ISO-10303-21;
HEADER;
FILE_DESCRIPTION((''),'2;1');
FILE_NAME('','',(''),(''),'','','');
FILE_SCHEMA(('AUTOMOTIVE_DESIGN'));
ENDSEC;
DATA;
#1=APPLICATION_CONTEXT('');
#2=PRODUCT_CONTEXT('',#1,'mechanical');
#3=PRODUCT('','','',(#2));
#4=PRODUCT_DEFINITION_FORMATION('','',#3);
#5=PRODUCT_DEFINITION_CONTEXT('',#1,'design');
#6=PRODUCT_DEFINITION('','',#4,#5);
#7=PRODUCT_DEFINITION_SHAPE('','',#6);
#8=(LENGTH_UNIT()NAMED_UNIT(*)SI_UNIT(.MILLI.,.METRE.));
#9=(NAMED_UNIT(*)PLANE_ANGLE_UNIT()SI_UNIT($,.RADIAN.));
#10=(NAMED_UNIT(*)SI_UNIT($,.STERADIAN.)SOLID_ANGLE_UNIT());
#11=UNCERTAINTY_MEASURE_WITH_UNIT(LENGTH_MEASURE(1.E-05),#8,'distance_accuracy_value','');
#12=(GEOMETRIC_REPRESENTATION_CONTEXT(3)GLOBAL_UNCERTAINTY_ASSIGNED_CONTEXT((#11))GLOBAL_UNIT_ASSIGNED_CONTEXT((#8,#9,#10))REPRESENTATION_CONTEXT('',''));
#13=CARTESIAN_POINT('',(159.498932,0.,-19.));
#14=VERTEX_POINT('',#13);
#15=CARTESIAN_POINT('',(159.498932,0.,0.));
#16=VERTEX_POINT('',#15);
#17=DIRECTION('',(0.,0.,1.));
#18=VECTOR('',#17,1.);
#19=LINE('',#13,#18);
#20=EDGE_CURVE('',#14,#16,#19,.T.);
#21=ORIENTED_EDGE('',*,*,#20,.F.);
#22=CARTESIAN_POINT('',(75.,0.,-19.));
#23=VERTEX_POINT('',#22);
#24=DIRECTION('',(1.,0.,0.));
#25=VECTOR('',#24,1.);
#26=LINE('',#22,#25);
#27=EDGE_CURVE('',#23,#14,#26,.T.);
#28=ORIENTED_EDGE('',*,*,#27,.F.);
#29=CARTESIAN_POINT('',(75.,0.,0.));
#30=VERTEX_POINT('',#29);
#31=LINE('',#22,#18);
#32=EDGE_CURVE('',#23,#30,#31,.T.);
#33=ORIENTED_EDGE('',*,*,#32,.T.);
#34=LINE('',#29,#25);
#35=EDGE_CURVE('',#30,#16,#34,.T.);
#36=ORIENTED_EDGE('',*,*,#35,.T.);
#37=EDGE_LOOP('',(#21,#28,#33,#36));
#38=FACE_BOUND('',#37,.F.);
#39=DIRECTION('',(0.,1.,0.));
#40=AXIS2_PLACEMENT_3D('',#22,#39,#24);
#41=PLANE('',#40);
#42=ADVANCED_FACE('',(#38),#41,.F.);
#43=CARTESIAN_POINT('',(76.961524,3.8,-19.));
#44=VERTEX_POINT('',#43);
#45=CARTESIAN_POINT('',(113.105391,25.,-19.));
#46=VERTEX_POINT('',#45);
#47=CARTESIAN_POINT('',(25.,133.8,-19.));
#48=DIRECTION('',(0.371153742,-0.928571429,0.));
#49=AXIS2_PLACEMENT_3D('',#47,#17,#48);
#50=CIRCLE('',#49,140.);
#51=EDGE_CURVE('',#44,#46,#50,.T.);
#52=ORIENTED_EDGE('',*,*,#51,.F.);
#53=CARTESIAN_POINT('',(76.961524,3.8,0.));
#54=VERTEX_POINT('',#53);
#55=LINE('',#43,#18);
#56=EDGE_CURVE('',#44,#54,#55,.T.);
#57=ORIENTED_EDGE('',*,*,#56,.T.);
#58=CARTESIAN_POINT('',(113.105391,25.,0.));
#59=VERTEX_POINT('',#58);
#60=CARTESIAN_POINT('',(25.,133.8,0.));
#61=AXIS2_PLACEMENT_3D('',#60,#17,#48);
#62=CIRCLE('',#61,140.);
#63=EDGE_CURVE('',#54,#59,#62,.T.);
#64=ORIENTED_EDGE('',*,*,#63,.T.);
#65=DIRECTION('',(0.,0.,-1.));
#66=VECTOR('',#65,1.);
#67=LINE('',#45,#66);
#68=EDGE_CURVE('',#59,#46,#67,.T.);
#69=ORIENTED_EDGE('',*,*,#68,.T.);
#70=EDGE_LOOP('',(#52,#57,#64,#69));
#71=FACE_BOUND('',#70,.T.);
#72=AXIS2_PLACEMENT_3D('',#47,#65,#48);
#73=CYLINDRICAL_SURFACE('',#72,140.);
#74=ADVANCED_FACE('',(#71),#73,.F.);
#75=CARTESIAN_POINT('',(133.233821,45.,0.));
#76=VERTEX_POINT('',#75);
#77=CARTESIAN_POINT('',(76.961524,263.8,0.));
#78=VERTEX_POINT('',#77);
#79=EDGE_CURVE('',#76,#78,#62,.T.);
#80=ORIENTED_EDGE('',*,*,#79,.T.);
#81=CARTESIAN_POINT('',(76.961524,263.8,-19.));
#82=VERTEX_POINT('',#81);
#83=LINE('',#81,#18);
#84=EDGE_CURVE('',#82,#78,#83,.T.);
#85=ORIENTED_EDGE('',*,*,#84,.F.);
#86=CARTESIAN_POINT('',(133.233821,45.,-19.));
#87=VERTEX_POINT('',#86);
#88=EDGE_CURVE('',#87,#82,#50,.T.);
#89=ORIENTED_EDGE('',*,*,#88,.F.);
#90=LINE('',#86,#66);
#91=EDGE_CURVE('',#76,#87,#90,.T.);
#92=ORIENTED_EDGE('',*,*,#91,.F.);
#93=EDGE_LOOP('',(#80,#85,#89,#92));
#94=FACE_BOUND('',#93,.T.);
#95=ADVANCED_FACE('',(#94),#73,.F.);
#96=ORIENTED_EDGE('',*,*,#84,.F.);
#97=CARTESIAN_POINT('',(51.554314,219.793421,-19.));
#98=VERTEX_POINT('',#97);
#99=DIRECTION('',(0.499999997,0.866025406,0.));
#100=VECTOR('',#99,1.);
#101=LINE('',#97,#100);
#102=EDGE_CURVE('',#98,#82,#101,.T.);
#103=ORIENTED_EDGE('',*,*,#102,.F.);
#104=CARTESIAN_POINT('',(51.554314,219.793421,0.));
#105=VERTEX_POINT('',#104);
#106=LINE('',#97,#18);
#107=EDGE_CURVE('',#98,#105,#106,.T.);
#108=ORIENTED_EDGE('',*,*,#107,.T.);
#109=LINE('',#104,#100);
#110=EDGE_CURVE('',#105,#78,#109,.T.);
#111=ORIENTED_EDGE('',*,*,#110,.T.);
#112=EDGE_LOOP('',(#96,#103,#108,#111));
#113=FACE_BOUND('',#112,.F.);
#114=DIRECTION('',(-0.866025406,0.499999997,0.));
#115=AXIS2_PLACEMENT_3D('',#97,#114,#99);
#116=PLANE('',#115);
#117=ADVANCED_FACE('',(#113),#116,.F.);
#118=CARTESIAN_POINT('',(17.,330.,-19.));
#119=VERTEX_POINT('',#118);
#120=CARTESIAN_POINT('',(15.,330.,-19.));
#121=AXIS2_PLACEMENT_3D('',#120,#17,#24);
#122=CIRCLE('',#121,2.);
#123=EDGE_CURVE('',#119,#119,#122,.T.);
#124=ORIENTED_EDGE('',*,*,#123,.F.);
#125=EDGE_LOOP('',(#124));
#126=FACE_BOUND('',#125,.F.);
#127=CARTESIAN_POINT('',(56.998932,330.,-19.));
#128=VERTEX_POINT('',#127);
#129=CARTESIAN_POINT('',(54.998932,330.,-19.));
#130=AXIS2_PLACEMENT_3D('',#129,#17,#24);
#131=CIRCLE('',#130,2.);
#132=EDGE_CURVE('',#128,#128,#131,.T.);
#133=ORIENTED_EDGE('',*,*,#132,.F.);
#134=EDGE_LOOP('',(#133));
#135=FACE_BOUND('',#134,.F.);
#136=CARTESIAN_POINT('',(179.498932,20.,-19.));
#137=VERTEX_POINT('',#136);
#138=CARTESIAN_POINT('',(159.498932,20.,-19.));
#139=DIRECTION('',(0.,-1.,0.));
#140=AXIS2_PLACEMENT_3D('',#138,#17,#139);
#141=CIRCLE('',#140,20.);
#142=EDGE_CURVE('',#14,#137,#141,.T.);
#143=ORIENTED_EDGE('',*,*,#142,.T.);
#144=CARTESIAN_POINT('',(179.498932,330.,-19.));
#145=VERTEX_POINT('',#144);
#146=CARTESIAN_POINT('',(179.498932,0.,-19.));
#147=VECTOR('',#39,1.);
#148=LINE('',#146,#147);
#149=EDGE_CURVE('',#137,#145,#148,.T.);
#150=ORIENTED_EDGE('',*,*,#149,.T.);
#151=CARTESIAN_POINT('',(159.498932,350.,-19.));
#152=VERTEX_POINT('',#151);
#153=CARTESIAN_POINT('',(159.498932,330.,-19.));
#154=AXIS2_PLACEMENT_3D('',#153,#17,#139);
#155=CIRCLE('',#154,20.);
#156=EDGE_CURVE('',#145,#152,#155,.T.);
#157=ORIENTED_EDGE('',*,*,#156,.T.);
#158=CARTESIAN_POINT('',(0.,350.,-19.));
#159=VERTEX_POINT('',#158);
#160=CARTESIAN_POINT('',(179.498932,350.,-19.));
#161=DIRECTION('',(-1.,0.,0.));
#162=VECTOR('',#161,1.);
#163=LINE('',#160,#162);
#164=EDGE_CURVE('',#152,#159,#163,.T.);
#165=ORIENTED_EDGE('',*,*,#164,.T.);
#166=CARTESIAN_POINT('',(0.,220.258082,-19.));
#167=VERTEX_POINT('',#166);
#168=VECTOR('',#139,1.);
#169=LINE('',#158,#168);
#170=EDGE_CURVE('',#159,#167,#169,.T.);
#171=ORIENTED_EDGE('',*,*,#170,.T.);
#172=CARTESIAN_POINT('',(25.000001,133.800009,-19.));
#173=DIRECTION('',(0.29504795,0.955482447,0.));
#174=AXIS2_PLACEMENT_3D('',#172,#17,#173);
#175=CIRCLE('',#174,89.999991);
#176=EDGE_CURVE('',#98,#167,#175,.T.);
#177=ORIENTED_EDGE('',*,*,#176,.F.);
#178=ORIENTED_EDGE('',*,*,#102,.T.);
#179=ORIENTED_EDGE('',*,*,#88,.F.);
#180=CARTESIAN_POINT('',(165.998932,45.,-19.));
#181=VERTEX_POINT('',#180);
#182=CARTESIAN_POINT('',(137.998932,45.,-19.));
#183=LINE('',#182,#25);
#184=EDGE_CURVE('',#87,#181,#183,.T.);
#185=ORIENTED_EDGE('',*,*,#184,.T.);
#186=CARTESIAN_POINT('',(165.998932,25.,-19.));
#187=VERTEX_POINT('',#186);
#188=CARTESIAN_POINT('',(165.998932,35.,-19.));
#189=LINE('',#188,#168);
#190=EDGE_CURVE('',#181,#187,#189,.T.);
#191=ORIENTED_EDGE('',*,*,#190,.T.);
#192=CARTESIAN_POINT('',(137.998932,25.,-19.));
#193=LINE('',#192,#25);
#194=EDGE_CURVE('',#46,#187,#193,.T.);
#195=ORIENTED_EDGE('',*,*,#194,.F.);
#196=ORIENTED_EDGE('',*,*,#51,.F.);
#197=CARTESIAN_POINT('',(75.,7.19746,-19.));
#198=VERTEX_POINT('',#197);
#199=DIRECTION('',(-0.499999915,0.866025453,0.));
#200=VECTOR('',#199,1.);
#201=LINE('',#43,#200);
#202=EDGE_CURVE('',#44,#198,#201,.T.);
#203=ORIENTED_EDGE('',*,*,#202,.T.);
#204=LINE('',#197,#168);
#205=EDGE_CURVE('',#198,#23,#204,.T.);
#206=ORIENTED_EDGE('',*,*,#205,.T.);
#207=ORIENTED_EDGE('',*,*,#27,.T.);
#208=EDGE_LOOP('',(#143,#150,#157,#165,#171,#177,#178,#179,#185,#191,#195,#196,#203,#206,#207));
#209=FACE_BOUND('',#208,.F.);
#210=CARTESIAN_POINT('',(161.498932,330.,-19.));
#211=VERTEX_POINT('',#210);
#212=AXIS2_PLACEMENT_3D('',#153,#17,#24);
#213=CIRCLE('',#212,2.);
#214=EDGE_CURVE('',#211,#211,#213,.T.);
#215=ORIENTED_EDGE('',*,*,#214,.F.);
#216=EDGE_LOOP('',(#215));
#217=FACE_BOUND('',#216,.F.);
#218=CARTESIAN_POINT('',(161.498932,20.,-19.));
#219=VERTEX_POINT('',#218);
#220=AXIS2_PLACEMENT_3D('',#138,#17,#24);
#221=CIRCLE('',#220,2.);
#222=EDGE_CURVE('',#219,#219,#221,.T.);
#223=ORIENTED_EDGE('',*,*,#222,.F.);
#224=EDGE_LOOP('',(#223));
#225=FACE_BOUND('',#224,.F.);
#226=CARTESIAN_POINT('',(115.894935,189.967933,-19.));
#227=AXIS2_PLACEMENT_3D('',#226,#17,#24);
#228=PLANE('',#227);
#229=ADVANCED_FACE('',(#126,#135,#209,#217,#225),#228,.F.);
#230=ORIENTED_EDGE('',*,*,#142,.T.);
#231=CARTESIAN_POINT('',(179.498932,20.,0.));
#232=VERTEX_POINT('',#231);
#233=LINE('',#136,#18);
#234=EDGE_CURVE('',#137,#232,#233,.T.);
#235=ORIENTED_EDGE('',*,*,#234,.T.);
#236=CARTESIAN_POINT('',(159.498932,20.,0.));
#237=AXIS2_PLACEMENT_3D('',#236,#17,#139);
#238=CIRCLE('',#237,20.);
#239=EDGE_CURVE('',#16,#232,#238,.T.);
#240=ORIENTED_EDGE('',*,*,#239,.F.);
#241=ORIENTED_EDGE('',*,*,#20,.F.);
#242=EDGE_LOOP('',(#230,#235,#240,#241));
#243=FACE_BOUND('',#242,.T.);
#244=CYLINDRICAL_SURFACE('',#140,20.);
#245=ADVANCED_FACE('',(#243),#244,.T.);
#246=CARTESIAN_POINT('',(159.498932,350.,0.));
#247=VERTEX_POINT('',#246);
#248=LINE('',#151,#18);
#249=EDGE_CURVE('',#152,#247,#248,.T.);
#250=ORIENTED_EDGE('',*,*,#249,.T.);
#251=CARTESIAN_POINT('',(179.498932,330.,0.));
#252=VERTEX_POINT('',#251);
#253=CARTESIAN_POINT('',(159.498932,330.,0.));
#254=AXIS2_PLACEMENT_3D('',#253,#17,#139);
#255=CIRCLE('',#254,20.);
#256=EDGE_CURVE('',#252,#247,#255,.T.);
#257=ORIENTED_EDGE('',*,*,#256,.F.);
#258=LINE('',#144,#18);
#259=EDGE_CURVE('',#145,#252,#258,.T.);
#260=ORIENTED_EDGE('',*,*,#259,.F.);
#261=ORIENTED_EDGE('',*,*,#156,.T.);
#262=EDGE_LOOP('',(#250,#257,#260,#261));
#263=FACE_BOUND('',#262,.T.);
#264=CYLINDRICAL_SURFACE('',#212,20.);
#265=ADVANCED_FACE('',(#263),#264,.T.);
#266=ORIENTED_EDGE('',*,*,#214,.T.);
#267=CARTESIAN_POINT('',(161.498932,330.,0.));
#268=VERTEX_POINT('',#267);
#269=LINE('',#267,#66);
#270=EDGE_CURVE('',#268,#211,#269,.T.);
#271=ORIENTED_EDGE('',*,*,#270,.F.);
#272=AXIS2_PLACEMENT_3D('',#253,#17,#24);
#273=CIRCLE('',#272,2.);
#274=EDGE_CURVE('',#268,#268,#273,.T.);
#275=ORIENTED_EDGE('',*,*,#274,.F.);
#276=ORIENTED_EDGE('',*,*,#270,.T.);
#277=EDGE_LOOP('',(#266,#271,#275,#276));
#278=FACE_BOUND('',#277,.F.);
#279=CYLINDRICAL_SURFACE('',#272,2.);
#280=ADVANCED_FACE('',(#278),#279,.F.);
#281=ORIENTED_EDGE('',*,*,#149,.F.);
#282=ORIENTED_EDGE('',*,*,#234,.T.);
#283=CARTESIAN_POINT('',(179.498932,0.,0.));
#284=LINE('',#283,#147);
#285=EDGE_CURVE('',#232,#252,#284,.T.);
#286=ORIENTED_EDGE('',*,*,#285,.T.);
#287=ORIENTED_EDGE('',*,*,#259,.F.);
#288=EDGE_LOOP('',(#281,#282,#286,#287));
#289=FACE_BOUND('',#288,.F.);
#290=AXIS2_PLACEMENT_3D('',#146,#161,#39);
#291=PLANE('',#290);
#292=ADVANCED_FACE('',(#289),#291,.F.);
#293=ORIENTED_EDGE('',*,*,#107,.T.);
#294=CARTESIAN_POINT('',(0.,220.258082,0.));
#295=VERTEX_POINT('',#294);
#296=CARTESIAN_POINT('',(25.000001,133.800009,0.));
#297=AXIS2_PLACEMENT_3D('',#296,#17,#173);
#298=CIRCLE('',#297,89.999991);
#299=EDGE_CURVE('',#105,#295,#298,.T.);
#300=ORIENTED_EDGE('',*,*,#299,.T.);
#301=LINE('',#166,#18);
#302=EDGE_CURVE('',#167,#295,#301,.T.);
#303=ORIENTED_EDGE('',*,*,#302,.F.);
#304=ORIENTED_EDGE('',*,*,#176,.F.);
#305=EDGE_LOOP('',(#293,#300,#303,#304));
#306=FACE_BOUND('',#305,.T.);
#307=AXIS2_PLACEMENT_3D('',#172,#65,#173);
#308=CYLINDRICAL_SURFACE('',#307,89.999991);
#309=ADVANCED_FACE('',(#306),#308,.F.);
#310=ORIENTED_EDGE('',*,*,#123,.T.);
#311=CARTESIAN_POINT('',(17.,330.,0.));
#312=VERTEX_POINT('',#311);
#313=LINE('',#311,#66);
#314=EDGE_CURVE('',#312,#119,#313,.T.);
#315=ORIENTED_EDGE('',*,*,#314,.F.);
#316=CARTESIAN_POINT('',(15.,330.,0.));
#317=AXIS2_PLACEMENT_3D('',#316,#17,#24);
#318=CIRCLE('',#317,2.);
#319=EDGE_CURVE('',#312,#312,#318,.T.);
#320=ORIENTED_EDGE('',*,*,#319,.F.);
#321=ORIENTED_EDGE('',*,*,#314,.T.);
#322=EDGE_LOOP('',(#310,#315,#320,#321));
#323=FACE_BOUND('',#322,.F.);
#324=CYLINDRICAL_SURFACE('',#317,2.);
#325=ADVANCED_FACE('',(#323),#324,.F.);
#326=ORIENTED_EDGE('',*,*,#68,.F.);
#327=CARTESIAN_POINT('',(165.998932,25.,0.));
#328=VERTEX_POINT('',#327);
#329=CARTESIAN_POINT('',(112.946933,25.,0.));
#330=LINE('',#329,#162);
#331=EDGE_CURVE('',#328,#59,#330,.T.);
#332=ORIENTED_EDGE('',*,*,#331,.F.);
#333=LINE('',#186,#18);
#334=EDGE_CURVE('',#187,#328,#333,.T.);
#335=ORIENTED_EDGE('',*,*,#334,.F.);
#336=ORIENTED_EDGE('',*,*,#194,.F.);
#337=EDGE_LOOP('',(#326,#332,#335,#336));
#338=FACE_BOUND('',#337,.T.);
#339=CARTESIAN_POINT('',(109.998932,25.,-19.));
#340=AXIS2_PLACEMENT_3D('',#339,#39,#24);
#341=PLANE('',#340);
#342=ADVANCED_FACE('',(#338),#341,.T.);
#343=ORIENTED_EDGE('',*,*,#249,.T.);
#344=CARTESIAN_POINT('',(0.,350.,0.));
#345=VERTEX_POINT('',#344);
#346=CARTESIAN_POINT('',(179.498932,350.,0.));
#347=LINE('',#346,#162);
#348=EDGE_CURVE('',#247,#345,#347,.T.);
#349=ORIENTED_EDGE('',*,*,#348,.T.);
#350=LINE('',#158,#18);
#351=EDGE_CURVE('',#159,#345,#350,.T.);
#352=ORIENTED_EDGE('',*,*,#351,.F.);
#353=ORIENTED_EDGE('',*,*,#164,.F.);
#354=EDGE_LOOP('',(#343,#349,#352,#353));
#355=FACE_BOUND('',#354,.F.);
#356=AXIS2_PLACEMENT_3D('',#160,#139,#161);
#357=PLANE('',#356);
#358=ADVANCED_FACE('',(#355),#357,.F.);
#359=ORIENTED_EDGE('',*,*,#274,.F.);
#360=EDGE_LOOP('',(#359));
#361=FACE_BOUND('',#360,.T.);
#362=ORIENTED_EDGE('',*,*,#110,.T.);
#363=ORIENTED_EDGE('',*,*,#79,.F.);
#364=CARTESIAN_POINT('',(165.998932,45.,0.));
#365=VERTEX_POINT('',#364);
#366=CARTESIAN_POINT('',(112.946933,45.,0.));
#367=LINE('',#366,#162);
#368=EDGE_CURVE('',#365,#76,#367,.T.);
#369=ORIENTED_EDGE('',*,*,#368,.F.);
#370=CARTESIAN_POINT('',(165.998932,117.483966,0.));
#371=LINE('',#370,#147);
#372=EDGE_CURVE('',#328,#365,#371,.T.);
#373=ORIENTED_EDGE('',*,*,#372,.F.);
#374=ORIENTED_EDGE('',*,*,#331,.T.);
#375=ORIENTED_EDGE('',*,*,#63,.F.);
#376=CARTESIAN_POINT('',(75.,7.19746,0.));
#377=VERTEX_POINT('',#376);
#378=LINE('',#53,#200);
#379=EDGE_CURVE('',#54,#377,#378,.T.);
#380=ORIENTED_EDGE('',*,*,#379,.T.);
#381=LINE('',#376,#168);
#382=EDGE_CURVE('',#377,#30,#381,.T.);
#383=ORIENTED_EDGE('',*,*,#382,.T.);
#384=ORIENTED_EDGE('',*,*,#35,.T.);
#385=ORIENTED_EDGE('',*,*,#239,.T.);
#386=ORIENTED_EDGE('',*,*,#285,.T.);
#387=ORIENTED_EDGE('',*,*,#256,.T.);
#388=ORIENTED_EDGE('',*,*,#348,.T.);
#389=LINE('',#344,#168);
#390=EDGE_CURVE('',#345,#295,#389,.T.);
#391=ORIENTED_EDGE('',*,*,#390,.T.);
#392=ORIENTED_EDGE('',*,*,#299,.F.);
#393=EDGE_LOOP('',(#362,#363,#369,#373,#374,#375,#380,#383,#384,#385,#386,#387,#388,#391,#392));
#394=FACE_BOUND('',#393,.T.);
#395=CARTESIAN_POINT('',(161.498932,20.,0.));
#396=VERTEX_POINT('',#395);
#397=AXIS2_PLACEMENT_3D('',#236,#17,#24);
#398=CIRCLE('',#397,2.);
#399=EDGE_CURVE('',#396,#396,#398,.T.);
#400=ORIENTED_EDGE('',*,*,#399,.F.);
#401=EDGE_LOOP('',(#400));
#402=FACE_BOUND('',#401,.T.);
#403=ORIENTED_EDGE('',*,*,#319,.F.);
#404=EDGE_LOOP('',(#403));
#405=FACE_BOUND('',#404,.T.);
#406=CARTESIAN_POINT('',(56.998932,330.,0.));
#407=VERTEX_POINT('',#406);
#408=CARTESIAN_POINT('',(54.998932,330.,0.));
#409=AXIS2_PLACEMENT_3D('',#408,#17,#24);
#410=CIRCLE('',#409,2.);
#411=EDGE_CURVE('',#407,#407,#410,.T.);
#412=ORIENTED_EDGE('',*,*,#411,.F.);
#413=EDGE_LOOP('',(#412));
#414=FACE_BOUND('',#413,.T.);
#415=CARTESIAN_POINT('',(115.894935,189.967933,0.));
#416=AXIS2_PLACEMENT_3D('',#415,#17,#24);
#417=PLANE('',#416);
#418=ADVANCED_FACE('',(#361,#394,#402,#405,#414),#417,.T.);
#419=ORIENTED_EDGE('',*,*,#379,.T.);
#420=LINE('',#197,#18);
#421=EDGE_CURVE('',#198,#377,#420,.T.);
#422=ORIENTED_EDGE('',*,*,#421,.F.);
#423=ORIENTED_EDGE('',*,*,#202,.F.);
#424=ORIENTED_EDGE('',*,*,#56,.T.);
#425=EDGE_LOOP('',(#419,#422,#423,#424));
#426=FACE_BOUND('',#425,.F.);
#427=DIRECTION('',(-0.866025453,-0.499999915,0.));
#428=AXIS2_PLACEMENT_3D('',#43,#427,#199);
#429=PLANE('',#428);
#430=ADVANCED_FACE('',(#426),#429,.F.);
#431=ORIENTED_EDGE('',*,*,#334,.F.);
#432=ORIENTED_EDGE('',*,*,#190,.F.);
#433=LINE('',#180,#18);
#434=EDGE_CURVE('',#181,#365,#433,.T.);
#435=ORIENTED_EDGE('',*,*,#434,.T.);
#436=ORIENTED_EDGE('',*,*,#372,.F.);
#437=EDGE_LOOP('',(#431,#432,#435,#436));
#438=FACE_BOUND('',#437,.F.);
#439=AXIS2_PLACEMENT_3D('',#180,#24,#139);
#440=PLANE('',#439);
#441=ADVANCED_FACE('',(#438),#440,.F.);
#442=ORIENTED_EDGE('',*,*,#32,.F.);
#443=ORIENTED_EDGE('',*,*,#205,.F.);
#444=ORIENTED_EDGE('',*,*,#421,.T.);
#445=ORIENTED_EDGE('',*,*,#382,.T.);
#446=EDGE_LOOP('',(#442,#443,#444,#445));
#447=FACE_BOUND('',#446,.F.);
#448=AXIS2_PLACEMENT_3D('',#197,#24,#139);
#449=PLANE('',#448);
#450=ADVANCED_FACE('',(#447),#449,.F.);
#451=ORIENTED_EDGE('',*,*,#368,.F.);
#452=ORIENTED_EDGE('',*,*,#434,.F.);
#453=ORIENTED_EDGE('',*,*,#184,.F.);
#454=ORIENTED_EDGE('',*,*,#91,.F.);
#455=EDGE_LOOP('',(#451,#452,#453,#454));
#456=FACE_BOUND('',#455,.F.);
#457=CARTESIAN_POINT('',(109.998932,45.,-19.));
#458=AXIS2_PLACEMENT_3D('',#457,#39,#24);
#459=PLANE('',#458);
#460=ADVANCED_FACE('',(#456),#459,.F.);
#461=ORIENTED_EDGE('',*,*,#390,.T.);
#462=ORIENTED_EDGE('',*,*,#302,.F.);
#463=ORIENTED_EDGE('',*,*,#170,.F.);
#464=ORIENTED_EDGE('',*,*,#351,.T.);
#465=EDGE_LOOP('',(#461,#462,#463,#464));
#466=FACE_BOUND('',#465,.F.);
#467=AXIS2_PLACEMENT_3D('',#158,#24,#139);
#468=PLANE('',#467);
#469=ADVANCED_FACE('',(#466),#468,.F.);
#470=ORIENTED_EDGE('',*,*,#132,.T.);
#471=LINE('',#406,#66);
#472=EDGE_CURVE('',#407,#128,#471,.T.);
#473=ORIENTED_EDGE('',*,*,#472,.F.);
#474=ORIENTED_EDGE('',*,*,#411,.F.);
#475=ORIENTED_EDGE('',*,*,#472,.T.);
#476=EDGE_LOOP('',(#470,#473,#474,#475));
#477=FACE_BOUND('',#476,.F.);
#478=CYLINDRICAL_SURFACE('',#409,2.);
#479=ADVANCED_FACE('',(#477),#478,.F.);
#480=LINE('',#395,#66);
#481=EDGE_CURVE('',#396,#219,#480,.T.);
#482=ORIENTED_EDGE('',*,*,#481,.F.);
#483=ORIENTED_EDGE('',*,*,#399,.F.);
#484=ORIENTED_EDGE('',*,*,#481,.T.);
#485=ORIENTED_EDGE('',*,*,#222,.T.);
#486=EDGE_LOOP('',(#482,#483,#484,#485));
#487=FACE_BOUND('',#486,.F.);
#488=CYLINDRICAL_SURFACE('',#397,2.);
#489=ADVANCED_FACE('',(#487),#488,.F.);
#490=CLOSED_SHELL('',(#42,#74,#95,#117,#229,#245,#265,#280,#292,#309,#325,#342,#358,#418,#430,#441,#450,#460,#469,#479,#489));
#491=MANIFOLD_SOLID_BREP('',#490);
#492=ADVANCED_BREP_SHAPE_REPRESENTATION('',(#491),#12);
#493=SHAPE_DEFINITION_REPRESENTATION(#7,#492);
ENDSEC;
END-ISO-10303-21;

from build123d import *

# Parameters (mm, degrees)
PAD016_DEPTH    = 19
FILLET006_R     = 20
SKETCH023_R     = 2
POCKET014_DEPTH = 19.001
SKETCH026_R     = 2
POCKET016_DEPTH = 19.001
SKETCH047_W     = 56
SKETCH047_H     = 20
POCKET030_DEPTH = 19.001


with BuildPart() as part:
    # Sketch021 → Pad016 (new body)
    with BuildSketch(Plane.XY):
        with BuildLine():
            Line((200, 216.2), (200, 86.458082))
            ThreePointArc((251.554314, 85.993421), (225.811141, 89.996345), (200, 86.458082))
            Line((251.554314, 85.993421), (276.961524, 130))
            ThreePointArc((276.961524, -130), (365, 0), (276.961524, 130))
            Line((276.961524, -130), (275, -126.60254))
            Line((275, -126.60254), (275, -133.8))
            Line((275, -133.8), (379.498932, -133.8))
            Line((379.498932, -133.8), (379.498932, 216.2))
            Line((379.498932, 216.2), (200, 216.2))
        make_face()
    extrude(amount=PAD016_DEPTH)

    # Fillet006
    fillet006_edges = [part.edges().sort_by_distance(p)[0] for p in [
        (379.498932, 216.2, 9.5),
        (379.498932, -133.8, 9.5),
    ]]
    fillet(fillet006_edges, radius=FILLET006_R)

    # Sketch023 (on Face5 of Fillet006) → Pocket014 (cut, through all)
    with BuildSketch(Plane.XY.offset(19)):
        with Locations((215, 196.2)):
            Circle(SKETCH023_R)
    extrude(amount=-POCKET014_DEPTH, mode=Mode.SUBTRACT)

    # Sketch026 (on Face5 of Pocket014) → Pocket016 (cut, through all)
    with BuildSketch(Plane.XY.offset(19)):
        with Locations((254.998932, 196.2)):
            Circle(SKETCH026_R)
        with Locations((359.498932, 196.2)):
            Circle(SKETCH026_R)
        with Locations((359.498932, -113.8)):
            Circle(SKETCH026_R)
    extrude(amount=-POCKET016_DEPTH, mode=Mode.SUBTRACT)

    # Sketch047 (on Face2 of Pocket016) → Pocket030 (cut, through all)
    with BuildSketch(Plane(origin=(0, 0, 0), x_dir=(1, 0, 0), z_dir=(0, 0, -1))):
        with Locations((337.998932, 98.8)):
            Rectangle(SKETCH047_W, SKETCH047_H)
    extrude(amount=-POCKET030_DEPTH, mode=Mode.SUBTRACT)


with BuildPart() as part_1:
    # Body012 placement: moved
    add(part.part.moved(Location((0, 0, -9))))


with BuildPart() as part_2:
    # Clone placement: moved
    add(part_1.part.moved(Location((-200, 133.8, -10))))


solid = part_2.part
